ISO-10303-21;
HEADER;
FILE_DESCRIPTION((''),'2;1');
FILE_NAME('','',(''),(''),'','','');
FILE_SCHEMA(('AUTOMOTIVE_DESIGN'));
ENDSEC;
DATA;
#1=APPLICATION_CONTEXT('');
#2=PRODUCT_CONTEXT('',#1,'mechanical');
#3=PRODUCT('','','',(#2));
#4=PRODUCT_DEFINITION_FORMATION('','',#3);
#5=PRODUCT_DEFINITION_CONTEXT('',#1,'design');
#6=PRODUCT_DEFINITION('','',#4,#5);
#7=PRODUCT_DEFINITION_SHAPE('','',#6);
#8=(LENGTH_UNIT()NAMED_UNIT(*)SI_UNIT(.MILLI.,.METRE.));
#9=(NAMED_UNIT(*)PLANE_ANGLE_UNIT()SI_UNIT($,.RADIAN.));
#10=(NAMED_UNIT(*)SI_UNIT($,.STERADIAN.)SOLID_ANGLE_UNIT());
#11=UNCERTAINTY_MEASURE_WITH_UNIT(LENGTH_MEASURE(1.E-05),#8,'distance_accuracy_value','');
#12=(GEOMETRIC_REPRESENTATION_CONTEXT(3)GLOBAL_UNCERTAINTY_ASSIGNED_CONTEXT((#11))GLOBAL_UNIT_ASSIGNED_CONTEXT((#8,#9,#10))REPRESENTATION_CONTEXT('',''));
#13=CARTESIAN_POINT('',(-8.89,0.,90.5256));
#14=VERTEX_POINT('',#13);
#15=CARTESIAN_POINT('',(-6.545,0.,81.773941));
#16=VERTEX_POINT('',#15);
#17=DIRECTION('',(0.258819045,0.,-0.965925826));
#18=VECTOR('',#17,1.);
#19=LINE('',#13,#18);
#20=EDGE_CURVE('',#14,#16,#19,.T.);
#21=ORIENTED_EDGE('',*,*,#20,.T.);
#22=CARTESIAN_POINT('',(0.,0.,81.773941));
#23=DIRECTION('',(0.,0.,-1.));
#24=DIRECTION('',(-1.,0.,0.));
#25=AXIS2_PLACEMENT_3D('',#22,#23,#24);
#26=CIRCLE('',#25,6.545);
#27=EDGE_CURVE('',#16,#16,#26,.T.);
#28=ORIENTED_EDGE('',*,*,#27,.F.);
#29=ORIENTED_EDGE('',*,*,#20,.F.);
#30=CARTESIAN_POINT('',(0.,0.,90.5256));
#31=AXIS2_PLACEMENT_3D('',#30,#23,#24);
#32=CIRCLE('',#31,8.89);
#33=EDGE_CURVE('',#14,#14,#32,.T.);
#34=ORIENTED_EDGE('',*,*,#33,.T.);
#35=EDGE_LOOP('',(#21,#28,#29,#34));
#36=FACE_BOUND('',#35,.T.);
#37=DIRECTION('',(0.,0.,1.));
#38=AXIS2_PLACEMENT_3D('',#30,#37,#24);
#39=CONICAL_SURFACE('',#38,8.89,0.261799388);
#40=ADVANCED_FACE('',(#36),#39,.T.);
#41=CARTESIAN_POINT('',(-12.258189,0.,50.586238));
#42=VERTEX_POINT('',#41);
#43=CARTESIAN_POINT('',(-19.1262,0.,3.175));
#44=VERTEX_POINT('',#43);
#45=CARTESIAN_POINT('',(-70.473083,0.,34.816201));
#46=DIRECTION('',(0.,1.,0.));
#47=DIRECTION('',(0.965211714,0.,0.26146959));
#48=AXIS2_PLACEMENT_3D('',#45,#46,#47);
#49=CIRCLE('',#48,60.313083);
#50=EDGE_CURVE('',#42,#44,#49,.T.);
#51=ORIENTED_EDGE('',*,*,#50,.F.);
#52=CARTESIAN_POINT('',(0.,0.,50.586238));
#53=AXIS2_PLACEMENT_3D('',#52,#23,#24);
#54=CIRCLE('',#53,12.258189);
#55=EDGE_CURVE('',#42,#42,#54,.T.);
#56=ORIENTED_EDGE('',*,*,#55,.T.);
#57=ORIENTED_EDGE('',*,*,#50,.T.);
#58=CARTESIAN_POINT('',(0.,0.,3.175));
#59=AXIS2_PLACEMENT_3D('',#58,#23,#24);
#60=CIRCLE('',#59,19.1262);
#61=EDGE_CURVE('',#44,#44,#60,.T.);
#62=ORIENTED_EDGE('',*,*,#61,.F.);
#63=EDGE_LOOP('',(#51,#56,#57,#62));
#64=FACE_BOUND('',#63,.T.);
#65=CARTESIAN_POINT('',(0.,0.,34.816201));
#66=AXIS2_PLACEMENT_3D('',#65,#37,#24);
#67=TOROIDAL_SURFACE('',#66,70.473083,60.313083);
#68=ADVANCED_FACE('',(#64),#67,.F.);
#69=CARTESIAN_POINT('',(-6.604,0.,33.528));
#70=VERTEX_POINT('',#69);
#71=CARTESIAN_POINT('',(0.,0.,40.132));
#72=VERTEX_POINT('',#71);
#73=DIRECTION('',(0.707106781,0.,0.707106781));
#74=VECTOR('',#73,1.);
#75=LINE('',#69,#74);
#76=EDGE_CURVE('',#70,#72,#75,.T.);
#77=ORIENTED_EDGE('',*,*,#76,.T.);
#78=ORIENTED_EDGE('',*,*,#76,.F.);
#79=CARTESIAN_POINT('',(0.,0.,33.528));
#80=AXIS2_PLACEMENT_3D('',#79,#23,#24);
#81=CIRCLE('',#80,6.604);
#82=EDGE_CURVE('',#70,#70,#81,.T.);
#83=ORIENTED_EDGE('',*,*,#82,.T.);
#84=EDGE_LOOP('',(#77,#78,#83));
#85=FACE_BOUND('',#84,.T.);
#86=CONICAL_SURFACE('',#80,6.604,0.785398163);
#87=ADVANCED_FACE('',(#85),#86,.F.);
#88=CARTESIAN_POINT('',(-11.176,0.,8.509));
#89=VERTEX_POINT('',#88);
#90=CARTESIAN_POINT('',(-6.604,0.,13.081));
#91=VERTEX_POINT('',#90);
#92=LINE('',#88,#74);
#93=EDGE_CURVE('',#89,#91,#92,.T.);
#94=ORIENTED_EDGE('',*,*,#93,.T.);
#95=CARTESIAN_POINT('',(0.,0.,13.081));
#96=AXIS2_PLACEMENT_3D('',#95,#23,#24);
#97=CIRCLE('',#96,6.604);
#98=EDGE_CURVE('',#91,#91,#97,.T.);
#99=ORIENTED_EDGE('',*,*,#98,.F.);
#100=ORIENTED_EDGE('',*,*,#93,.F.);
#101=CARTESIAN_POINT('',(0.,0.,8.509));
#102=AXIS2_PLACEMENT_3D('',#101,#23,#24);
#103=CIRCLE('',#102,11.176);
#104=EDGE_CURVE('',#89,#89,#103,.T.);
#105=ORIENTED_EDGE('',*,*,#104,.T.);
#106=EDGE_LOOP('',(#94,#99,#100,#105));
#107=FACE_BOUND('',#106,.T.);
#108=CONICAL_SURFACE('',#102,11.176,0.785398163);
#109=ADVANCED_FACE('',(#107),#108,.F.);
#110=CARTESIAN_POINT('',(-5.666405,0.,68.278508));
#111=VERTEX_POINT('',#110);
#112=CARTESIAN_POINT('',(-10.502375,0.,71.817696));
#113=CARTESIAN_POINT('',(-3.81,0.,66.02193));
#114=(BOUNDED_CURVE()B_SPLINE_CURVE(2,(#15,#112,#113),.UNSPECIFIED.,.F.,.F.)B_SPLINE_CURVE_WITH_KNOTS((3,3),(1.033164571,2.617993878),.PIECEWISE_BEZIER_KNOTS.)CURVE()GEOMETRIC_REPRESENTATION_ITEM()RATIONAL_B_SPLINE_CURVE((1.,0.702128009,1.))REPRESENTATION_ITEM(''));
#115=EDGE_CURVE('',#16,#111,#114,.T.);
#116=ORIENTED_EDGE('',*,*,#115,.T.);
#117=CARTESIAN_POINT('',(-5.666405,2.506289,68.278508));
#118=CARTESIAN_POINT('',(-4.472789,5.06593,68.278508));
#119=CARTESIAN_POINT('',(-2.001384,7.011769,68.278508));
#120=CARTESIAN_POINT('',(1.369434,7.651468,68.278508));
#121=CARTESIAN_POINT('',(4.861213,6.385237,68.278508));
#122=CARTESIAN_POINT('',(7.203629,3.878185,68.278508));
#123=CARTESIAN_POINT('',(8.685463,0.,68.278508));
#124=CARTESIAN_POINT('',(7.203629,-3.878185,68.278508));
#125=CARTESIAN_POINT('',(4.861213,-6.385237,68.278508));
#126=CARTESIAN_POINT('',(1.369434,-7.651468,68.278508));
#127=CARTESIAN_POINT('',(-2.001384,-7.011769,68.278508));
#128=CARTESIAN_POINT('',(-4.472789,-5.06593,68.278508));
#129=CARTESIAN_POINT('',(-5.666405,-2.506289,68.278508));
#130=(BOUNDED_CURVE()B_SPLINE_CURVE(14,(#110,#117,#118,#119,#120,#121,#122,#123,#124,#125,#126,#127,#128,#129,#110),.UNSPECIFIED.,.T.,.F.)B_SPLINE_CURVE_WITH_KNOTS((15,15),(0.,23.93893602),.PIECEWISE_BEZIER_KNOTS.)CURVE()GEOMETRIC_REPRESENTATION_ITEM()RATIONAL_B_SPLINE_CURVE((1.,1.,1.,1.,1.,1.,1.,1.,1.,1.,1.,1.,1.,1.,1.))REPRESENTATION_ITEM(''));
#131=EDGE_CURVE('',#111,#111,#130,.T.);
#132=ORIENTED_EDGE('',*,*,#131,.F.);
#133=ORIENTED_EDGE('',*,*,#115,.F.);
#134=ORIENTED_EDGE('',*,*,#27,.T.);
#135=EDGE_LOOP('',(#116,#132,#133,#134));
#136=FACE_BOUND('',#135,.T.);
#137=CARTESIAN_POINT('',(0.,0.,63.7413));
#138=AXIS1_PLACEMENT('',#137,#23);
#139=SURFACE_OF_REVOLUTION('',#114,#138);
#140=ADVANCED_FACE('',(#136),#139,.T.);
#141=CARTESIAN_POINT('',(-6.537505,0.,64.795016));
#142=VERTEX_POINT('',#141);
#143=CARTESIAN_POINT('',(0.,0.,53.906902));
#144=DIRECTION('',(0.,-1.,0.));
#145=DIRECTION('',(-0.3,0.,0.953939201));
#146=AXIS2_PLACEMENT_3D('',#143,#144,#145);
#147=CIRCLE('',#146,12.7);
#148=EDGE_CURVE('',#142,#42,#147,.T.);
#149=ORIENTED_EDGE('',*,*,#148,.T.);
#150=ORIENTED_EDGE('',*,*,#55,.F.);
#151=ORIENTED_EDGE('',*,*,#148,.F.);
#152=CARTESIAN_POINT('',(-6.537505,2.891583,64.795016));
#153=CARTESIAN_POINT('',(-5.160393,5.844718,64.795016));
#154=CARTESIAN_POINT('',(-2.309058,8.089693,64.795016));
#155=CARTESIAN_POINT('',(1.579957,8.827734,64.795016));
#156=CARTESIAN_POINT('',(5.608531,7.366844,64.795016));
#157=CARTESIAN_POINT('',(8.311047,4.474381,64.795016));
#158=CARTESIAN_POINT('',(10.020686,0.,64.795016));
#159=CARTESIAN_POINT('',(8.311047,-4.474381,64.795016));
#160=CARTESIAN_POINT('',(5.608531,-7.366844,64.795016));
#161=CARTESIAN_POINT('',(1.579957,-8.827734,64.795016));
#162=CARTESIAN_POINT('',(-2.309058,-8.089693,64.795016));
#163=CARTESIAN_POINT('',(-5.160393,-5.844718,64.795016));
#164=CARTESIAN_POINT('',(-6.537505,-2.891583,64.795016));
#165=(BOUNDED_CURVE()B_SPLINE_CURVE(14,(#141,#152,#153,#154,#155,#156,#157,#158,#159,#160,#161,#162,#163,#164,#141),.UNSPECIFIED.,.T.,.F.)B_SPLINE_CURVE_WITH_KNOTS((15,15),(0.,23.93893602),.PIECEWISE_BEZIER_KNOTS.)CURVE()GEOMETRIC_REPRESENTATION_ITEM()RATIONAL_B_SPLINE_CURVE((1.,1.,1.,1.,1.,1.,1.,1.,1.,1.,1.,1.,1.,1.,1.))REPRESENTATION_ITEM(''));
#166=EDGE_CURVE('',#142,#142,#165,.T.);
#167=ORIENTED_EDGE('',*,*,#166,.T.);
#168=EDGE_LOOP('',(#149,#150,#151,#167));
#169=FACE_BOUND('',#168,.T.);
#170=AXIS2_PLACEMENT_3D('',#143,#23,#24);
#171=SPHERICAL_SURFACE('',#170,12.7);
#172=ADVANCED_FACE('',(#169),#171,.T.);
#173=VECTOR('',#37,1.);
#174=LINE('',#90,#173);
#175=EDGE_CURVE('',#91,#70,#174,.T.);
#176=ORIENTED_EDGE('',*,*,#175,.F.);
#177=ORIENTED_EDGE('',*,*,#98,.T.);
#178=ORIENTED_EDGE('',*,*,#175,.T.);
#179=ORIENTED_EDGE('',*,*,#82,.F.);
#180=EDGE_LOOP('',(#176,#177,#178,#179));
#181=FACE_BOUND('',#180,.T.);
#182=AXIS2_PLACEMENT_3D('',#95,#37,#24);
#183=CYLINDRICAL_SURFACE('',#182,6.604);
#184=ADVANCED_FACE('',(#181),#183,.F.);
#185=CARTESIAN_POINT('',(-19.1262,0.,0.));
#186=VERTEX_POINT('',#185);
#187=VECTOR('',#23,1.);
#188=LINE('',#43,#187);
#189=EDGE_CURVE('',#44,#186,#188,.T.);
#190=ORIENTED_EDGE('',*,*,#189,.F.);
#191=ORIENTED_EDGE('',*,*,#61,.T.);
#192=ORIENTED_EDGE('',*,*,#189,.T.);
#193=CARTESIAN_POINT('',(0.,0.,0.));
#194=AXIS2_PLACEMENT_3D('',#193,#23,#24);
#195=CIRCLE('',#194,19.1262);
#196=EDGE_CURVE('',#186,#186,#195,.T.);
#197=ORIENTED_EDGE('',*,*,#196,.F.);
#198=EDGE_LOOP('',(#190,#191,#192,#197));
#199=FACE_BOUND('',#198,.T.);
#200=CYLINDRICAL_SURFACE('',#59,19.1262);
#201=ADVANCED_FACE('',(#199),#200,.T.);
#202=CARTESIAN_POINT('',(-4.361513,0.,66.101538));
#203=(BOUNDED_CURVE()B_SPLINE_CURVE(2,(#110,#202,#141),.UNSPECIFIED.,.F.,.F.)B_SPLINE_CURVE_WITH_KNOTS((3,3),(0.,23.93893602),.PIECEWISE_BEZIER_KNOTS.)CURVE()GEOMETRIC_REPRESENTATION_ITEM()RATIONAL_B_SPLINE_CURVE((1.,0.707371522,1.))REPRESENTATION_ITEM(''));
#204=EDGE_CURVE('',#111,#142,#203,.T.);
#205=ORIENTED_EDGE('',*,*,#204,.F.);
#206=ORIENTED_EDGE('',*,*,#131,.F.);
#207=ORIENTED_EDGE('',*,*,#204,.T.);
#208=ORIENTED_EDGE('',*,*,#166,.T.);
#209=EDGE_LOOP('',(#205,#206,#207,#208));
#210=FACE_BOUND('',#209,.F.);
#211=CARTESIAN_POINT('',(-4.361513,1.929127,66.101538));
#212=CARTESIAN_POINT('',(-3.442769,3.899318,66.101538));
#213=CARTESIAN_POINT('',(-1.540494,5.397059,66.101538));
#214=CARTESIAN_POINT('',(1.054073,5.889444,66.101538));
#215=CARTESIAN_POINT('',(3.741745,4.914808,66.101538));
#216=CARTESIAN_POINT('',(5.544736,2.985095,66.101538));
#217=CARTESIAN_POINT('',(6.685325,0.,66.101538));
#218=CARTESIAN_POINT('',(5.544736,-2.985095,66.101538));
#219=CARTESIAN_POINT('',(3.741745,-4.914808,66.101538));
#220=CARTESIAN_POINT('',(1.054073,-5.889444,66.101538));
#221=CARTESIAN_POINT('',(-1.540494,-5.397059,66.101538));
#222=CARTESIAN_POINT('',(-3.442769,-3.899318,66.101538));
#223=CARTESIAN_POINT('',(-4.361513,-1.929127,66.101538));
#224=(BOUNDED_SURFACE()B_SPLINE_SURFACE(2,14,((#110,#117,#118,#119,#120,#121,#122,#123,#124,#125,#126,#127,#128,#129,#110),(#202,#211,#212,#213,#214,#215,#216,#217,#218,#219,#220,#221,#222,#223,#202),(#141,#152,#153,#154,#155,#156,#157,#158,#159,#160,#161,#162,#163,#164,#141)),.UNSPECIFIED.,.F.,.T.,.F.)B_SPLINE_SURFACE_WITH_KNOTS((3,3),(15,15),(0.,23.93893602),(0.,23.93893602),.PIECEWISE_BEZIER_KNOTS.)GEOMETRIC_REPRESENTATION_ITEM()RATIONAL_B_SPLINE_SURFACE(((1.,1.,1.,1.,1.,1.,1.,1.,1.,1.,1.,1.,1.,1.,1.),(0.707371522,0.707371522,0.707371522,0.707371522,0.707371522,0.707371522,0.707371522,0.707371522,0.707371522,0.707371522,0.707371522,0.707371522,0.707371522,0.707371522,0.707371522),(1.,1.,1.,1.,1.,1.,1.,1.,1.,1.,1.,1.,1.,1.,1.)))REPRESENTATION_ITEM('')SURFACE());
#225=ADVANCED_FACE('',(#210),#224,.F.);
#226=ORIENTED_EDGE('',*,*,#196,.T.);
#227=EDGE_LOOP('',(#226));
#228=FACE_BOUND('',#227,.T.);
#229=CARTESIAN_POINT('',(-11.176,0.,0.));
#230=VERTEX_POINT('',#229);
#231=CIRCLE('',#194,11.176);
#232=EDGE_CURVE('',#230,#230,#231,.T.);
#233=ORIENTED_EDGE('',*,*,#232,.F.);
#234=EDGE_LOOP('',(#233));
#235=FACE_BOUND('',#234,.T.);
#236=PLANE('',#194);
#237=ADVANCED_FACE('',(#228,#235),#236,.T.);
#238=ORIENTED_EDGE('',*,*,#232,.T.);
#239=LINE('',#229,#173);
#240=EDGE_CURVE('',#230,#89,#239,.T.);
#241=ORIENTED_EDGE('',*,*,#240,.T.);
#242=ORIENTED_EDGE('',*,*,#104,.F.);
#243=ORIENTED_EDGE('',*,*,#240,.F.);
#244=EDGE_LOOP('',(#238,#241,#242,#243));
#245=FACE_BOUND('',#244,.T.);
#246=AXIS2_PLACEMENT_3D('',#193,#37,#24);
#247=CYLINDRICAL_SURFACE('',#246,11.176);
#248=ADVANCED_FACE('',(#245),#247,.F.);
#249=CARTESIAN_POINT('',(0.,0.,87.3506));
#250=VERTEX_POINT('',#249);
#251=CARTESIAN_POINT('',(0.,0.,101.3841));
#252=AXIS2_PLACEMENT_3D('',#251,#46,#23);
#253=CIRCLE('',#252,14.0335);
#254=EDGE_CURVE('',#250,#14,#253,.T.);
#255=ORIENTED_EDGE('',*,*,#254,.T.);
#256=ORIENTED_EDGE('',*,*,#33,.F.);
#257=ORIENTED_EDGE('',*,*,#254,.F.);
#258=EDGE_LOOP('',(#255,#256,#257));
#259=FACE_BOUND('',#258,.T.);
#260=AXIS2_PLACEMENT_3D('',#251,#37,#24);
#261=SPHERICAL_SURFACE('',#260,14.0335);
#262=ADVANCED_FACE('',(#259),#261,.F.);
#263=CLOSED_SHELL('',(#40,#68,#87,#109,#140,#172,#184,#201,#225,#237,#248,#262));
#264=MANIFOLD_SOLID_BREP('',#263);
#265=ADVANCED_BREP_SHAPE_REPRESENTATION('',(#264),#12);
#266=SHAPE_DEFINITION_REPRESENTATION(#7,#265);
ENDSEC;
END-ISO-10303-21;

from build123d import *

# Parameters (mm, degrees)
F2_R = 2.54


with BuildPart() as f1:
    # F0 (on Front) → F1 (revolve)
    with BuildSketch(Plane.XZ):
        with BuildLine():
            Line((0, 40.132), (0, 87.3506))
            ThreePointArc((0, 87.3506), (-4.7199768273, 88.1681648836), (-8.89, 90.5256))
            Line((-8.89, 90.5256), (-6.5449999258, 81.7739405792))
            add(Edge.make_bspline(
                [(-6.5449999258, 81.7739405792), (-10.5023747002, 71.8176961368), (-3.81, 66.0219296347)],
                knots=[1.0331645714, 1.0331645714, 1.0331645714, 2.617993878, 2.617993878, 2.617993878], degree=2, weights=[1, 0.7021280086, 1]))
            ThreePointArc((-3.81, 66.0219296347), (-11.1405483174, 60.0042932836), (-12.2581887711, 50.5862379799))
            ThreePointArc((-12.2581887711, 50.5862379799), (-10.7830325107, 26.1694758028), (-19.1262, 3.175))
            Line((-19.1262, 3.175), (-19.1262, 0))
            Line((-19.1262, 0), (-11.176, 0))
            Line((-11.176, 0), (-11.176, 8.509))
            Line((-11.176, 8.509), (-6.604, 13.081))
            Line((-6.604, 13.081), (-6.604, 33.528))
            Line((-6.604, 33.528), (0, 40.132))
        make_face()
    revolve(axis=Axis((0, 0, 63.7413), (0, 0, -1)))

    # F2
    f2_edges = [f1.edges().sort_by_distance(p)[0] for p in [
        (3.81, 0, 66.02193),
    ]]
    fillet(f2_edges, radius=F2_R)


solid = f1.part
